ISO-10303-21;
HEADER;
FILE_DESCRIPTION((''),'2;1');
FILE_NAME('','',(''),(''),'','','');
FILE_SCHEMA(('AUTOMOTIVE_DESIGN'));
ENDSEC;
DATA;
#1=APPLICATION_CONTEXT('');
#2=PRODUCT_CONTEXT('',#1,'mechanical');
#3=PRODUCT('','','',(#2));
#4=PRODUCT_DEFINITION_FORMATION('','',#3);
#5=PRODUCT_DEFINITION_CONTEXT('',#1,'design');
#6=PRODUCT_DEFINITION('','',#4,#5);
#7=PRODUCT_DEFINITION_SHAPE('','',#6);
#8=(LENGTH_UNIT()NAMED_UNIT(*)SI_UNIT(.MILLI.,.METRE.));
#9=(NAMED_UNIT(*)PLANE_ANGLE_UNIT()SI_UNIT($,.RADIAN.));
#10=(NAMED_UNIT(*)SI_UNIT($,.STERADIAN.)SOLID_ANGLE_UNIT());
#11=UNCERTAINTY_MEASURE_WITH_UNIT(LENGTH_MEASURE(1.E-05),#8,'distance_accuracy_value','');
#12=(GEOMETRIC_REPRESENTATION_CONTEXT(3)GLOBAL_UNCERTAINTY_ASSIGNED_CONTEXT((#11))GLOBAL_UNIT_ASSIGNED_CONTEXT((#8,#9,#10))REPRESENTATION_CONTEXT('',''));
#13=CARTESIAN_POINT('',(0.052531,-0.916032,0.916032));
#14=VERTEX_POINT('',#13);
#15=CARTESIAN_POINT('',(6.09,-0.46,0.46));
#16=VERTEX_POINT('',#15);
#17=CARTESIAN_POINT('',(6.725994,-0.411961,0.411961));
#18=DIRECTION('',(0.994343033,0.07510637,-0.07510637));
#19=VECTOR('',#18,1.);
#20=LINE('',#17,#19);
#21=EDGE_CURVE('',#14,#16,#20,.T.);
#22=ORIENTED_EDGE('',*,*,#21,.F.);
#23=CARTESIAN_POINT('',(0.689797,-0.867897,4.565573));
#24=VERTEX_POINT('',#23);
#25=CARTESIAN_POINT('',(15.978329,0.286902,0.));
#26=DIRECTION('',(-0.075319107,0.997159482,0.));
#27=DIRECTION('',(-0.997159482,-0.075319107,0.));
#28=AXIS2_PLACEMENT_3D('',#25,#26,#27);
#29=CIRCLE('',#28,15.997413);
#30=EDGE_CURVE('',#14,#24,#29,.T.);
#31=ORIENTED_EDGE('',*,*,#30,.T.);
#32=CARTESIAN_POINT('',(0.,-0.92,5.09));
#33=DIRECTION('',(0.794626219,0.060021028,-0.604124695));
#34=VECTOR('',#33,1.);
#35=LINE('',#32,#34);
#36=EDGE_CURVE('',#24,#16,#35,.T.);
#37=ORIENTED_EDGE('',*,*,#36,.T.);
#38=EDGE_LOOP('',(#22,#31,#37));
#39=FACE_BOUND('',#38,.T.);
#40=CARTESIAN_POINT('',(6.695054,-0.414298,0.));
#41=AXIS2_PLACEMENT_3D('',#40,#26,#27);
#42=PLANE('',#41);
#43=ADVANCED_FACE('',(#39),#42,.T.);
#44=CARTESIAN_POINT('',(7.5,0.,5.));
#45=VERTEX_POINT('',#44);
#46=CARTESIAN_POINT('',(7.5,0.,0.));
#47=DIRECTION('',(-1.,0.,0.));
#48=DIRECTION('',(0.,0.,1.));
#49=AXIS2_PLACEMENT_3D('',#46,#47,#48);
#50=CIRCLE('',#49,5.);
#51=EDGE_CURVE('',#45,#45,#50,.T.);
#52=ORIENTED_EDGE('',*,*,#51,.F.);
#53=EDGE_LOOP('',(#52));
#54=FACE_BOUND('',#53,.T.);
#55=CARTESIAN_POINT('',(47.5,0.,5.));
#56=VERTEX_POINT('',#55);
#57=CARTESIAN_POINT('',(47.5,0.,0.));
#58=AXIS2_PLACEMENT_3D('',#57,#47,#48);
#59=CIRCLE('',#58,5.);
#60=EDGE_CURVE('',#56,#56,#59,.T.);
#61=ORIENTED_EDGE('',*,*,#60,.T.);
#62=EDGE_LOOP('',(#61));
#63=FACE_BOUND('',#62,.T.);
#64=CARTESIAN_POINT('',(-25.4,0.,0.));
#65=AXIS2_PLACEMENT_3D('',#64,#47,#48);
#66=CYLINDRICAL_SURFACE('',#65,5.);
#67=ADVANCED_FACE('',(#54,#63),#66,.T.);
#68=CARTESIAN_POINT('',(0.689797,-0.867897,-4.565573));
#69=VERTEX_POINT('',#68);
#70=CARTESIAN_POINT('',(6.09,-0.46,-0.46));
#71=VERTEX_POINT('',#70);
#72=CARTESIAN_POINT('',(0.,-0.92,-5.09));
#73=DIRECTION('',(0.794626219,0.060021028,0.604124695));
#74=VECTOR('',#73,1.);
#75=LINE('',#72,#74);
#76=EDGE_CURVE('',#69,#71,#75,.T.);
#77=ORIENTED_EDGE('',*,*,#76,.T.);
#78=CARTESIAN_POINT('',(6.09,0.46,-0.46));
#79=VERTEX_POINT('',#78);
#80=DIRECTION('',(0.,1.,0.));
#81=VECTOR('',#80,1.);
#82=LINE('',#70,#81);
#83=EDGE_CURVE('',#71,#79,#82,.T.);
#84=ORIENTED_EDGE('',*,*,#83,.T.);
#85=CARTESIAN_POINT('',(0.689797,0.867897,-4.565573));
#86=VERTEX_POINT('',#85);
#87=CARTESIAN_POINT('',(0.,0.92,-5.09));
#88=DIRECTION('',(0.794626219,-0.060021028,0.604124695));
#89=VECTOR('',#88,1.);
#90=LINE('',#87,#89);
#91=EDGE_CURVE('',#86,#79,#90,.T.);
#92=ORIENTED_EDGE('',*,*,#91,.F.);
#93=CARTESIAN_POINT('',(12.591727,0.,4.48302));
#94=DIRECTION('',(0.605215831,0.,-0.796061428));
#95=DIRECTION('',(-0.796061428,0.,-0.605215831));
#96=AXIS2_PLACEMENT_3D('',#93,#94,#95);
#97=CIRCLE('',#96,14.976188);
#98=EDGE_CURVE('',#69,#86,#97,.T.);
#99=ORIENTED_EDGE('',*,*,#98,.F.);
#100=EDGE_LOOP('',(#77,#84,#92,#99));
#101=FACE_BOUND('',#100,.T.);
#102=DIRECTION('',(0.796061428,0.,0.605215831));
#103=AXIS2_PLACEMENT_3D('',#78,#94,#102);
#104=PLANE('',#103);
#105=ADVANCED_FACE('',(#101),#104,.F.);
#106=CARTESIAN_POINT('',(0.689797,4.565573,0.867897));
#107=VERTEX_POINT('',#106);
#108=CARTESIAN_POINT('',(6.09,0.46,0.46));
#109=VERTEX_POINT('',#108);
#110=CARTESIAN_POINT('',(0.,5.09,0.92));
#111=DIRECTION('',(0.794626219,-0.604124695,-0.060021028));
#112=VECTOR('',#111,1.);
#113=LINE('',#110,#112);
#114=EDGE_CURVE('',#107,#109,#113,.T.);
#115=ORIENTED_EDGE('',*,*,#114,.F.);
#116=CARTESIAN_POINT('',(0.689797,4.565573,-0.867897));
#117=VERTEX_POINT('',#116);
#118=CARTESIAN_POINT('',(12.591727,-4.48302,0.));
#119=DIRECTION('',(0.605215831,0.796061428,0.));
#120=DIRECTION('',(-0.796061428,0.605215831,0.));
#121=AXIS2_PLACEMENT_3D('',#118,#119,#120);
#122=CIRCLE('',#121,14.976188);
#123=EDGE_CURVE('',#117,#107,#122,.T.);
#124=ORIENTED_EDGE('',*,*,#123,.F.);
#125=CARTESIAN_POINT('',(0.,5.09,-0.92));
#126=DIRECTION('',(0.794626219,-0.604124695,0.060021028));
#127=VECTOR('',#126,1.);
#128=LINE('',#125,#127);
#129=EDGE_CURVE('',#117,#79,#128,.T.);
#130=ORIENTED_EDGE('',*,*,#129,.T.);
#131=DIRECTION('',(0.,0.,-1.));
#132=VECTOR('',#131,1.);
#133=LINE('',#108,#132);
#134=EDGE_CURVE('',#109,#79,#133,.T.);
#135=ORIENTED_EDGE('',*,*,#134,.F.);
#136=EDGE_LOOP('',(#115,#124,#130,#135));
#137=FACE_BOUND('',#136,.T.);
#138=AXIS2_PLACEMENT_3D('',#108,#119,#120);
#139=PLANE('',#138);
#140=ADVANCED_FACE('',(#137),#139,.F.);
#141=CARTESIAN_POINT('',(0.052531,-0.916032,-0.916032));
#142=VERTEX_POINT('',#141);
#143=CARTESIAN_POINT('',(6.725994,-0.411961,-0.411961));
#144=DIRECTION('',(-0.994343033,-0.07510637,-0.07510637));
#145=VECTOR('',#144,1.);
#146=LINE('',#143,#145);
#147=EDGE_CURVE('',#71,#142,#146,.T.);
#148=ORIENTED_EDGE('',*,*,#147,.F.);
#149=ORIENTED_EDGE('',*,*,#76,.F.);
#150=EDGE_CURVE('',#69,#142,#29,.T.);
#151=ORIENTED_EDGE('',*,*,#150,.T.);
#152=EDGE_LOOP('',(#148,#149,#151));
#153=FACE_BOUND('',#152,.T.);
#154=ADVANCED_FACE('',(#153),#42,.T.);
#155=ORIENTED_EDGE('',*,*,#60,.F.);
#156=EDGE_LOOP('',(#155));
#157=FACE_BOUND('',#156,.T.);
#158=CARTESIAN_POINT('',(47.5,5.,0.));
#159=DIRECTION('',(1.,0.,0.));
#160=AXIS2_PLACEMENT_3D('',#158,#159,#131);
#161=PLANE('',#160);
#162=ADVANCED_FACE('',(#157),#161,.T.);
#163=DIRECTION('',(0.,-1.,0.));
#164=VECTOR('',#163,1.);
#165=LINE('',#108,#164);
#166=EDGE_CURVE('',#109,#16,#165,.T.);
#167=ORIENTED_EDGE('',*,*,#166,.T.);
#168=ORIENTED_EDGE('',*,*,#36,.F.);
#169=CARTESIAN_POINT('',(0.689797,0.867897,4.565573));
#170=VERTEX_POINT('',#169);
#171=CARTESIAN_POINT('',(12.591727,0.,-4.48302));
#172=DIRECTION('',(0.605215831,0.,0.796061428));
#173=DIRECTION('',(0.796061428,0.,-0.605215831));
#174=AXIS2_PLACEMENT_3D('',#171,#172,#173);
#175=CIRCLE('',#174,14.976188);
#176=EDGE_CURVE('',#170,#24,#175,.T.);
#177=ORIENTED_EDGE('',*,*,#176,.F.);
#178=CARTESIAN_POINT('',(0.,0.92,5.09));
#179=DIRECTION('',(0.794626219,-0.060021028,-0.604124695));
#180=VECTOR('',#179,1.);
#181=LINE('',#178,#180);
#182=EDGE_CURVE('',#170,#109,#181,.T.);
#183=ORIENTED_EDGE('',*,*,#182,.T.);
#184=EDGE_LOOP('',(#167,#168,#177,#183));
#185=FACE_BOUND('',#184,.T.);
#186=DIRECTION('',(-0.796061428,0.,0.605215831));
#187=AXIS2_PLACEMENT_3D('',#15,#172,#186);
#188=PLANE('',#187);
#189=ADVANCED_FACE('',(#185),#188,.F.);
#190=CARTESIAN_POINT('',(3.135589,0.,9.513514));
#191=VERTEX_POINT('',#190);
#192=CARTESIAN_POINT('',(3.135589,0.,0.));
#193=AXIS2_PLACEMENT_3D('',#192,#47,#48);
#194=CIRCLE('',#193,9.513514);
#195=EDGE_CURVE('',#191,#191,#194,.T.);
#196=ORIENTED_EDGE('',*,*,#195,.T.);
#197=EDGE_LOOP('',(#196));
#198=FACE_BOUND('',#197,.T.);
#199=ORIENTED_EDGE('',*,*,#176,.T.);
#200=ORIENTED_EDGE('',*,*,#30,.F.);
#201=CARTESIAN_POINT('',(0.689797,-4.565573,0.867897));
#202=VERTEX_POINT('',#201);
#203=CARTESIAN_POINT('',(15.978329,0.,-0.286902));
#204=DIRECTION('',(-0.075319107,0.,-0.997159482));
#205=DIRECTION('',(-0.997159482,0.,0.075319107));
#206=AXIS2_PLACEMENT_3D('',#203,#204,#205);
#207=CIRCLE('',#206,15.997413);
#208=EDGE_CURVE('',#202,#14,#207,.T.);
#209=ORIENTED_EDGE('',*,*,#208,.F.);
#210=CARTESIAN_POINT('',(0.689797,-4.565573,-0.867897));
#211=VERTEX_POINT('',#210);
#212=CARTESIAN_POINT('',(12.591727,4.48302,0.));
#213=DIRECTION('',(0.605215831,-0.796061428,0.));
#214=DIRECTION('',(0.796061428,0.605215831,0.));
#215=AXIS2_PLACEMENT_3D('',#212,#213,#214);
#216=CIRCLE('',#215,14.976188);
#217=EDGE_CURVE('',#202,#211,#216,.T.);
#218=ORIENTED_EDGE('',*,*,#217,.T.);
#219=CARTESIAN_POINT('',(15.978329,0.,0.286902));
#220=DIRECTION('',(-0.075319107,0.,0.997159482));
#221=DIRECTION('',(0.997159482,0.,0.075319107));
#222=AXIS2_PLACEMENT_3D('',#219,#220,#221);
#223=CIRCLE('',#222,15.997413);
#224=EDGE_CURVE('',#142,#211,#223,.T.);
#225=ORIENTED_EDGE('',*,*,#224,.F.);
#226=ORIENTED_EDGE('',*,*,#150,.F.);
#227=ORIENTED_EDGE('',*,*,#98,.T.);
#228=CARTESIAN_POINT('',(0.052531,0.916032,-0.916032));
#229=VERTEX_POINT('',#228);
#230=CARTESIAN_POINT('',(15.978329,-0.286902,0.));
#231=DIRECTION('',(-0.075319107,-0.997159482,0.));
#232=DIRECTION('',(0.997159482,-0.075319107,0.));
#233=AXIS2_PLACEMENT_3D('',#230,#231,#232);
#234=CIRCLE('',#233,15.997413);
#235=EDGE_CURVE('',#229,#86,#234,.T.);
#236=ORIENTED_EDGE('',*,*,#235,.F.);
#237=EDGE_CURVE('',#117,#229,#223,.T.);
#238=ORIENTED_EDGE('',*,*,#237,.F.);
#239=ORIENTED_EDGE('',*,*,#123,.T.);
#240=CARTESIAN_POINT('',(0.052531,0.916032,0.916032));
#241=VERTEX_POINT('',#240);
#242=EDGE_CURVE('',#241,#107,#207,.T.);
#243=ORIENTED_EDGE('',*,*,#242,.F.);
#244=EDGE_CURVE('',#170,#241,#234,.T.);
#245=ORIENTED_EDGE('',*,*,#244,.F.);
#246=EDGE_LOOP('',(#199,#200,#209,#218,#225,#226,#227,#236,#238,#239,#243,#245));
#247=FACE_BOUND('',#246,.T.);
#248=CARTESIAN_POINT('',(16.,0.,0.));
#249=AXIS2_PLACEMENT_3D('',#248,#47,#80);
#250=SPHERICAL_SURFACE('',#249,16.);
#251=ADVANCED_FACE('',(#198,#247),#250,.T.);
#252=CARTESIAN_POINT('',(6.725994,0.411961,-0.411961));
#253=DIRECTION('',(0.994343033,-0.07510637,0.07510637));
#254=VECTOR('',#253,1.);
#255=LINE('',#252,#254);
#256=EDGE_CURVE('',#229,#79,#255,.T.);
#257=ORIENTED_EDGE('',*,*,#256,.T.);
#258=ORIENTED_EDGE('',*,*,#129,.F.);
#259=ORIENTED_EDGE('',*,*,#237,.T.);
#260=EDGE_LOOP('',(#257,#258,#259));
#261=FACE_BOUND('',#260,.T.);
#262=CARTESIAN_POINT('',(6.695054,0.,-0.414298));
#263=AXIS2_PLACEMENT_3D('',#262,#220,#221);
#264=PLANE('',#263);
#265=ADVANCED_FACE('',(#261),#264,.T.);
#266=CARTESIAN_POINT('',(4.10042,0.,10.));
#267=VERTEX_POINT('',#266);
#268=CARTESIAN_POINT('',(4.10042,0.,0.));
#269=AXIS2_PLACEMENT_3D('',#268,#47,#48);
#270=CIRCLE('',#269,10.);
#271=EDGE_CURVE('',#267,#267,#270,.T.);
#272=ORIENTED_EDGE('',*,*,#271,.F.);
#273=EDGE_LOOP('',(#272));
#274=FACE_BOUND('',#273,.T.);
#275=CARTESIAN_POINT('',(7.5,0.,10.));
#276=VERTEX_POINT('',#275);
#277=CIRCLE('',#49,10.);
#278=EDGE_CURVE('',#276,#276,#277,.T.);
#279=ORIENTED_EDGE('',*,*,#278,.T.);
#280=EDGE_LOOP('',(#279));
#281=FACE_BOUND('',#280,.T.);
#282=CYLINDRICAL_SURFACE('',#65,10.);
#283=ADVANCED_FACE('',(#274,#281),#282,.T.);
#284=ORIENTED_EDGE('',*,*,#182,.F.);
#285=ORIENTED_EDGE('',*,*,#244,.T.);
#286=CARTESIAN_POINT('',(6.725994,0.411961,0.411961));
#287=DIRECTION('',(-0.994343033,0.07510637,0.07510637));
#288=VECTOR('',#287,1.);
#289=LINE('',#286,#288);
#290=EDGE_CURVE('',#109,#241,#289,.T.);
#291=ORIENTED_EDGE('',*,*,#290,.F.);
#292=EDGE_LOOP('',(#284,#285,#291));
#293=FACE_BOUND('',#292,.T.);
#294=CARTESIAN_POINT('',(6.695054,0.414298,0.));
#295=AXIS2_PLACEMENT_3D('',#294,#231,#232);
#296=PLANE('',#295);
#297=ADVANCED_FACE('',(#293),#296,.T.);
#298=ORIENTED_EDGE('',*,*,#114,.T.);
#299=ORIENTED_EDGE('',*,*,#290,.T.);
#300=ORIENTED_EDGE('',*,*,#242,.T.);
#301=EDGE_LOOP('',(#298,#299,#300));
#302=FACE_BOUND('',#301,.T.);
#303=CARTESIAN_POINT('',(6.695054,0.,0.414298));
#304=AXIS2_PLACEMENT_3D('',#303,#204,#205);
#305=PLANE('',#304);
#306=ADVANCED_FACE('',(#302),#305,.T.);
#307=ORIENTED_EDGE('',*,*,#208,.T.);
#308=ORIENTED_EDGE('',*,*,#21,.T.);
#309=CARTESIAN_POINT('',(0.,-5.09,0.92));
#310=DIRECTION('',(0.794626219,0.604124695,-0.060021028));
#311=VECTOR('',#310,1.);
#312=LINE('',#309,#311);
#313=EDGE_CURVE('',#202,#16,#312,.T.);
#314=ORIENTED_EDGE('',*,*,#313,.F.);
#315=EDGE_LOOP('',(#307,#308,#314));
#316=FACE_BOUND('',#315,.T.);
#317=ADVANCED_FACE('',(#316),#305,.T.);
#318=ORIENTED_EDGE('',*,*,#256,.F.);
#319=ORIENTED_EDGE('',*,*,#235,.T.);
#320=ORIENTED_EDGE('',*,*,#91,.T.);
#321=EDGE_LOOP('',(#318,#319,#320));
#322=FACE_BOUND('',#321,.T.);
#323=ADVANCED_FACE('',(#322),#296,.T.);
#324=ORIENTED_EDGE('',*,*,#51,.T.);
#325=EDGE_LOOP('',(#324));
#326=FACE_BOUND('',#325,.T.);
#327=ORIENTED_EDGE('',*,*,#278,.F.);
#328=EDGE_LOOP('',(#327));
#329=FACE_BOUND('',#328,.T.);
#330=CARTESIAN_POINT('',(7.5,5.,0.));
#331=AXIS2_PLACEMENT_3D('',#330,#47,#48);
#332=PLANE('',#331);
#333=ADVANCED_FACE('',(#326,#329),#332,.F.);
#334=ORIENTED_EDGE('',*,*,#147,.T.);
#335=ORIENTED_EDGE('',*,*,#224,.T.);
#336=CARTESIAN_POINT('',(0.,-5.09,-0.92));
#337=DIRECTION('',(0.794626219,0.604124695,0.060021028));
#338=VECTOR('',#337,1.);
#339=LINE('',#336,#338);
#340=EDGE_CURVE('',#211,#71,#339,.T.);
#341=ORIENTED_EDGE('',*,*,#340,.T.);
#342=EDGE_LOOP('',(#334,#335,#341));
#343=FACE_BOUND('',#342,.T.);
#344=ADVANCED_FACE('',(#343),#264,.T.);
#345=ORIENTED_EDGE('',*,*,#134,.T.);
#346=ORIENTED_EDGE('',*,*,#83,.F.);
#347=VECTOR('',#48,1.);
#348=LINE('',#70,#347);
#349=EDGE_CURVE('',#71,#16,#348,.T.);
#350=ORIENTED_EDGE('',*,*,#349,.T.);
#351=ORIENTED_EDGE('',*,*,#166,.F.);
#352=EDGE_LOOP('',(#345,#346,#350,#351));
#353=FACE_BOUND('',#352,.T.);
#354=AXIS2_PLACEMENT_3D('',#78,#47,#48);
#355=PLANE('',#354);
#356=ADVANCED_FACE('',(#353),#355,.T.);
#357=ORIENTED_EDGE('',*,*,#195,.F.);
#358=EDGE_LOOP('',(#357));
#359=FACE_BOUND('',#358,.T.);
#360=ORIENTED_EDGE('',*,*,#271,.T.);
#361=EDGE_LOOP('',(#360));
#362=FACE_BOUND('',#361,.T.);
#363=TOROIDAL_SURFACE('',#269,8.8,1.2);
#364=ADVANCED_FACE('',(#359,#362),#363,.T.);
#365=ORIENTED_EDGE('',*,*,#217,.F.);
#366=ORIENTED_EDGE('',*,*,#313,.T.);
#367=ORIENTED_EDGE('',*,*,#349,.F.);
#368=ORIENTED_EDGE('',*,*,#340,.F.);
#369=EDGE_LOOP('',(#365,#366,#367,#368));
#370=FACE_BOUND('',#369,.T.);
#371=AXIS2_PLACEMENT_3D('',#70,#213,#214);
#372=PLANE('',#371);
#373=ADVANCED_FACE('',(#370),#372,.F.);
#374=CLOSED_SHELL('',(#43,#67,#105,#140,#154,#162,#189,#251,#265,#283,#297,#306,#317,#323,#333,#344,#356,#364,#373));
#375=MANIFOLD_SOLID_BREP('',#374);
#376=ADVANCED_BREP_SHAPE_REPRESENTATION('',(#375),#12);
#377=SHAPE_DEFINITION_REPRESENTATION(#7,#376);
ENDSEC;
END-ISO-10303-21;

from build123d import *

# Parameters (mm, degrees)
SKETCH3_W         = 1.84
SKETCH3_H         = 10.18
SKETCH4_W         = 0.92
SKETCH4_H         = 0.92
CIRPATTERN1_COUNT = 2
CIRPATTERN1_ANGLE = 90


with BuildPart() as part:
    # BodySke → Base-Revolve (revolve)
    with BuildSketch(Plane.XY):
        with BuildLine():
            Line((7.5, 5), (7.5, 10))
            Line((7.5, 10), (4.100420175, 10))
            ThreePointArc((4.100420175, 10), (3.560149973, 9.871498067), (3.135589379, 9.513513514))
            ThreePointArc((3.135589379, 9.513513514), (0.804103022, 5.008464339), (0, 0))
            Line((0, 0), (47.5, 0))
            Line((47.5, 0), (47.5, 5))
            Line((47.5, 5), (7.5, 5))
        make_face()
    revolve(axis=Axis((-25.4, 0, 0), (1, 0, 0)))

    # Sketch3 → Cut-Loft1 section 0
    with BuildSketch(Plane(origin=(0, 0, 0), x_dir=(0, 0, -1), z_dir=(1, 0, 0))):
        Rectangle(SKETCH3_W, SKETCH3_H)
    # Sketch4 → Cut-Loft1 section 1
    with BuildSketch(Plane(origin=(6.09, 0, 0), x_dir=(0, 0, -1), z_dir=(1, 0, 0))):
        Rectangle(SKETCH4_W, SKETCH4_H)
    cut_loft1 = loft(mode=Mode.SUBTRACT)

    # CirPattern1: Cut-Loft1 ×2 about axis
    cirpattern1_axis = Axis((0, 0, 0), (1, 0, 0))
    for i in range(1, CIRPATTERN1_COUNT):
        add(cut_loft1.rotate(cirpattern1_axis, i * CIRPATTERN1_ANGLE / (CIRPATTERN1_COUNT - 1)), mode=Mode.SUBTRACT)


solid = part.part
